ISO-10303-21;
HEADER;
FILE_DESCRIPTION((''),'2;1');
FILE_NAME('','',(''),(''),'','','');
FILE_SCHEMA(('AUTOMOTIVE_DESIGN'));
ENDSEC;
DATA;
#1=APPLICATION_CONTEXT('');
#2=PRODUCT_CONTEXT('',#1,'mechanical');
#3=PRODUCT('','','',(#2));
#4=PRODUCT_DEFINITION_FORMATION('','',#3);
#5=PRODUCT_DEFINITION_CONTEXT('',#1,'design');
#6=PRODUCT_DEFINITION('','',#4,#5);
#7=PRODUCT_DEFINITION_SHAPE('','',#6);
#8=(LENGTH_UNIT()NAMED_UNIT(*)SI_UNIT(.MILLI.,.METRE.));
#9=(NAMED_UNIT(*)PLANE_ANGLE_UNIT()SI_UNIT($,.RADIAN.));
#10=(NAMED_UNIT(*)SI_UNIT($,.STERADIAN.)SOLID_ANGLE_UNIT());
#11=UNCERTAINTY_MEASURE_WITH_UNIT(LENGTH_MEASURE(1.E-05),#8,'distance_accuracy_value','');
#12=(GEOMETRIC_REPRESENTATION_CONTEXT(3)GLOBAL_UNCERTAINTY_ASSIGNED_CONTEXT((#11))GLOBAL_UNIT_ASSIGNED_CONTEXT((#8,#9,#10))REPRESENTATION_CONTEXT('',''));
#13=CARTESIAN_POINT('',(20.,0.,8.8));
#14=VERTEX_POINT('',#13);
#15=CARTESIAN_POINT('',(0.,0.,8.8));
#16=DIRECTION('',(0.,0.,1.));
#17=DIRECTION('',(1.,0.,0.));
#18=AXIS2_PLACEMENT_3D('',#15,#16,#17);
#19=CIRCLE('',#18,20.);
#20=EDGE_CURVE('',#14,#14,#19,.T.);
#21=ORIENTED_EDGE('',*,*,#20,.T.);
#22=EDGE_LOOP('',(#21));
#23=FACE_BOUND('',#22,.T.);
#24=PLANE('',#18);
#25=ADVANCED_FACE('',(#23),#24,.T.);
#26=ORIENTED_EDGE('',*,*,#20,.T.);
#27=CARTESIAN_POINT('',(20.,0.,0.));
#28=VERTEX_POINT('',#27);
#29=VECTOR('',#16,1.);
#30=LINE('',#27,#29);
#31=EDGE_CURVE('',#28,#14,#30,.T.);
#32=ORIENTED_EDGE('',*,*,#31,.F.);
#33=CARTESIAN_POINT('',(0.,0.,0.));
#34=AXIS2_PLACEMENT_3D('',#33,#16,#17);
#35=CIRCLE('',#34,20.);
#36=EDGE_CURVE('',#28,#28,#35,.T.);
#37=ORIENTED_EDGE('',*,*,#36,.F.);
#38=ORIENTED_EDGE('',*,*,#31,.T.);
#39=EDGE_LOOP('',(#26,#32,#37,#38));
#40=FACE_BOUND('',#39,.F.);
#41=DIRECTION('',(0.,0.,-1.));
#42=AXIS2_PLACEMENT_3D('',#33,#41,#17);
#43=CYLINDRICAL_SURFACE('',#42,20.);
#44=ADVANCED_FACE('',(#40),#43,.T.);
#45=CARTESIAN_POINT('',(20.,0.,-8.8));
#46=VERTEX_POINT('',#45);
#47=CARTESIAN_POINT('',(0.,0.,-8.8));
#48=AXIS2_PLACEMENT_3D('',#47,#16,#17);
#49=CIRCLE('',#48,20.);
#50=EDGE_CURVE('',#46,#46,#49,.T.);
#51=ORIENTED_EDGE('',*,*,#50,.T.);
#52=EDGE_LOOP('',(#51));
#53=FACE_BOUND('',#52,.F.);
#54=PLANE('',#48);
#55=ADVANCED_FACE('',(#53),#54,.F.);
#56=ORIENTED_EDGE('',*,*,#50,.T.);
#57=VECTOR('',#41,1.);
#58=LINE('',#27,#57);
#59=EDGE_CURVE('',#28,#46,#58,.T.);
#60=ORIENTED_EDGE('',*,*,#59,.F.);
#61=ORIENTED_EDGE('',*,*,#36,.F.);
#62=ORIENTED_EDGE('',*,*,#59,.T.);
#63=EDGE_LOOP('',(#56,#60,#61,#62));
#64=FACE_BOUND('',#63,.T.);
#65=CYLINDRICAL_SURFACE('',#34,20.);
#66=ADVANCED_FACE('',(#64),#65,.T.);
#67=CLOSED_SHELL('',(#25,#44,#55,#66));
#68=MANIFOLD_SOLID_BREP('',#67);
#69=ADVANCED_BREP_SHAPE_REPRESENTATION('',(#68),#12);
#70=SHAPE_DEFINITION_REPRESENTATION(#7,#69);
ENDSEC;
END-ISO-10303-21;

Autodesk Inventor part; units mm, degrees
ref_plane "YZ Plane" through (0, 0, 0) normal (1, 0, 0) x (0, 1, 0)
ref_plane "XZ Plane" through (0, 0, 0) normal (0, 1, 0) x (-1, 0, 0)
ref_plane "XY Plane" through (0, 0, 0) normal (0, 0, 1) x (1, 0, 0)
sketch "Szkic główny" plane through (0, 0, 0) normal (0, 0, 1) x (1, 0, 0)
  circle A0 centre (0, 0) radius 20
  dimension "d0" = 40
extrude "Koło pasowe" add sketch "Szkic główny" along normal mid plane 17.6
equation "\"d0\" = da_D"
equation "\"d1\" = da_B"
equation "\"da_D\" = 40"
equation "\"da_B\" = 17.6"
properties part number "Koło pasowe zwykłe1" material "Steel"
